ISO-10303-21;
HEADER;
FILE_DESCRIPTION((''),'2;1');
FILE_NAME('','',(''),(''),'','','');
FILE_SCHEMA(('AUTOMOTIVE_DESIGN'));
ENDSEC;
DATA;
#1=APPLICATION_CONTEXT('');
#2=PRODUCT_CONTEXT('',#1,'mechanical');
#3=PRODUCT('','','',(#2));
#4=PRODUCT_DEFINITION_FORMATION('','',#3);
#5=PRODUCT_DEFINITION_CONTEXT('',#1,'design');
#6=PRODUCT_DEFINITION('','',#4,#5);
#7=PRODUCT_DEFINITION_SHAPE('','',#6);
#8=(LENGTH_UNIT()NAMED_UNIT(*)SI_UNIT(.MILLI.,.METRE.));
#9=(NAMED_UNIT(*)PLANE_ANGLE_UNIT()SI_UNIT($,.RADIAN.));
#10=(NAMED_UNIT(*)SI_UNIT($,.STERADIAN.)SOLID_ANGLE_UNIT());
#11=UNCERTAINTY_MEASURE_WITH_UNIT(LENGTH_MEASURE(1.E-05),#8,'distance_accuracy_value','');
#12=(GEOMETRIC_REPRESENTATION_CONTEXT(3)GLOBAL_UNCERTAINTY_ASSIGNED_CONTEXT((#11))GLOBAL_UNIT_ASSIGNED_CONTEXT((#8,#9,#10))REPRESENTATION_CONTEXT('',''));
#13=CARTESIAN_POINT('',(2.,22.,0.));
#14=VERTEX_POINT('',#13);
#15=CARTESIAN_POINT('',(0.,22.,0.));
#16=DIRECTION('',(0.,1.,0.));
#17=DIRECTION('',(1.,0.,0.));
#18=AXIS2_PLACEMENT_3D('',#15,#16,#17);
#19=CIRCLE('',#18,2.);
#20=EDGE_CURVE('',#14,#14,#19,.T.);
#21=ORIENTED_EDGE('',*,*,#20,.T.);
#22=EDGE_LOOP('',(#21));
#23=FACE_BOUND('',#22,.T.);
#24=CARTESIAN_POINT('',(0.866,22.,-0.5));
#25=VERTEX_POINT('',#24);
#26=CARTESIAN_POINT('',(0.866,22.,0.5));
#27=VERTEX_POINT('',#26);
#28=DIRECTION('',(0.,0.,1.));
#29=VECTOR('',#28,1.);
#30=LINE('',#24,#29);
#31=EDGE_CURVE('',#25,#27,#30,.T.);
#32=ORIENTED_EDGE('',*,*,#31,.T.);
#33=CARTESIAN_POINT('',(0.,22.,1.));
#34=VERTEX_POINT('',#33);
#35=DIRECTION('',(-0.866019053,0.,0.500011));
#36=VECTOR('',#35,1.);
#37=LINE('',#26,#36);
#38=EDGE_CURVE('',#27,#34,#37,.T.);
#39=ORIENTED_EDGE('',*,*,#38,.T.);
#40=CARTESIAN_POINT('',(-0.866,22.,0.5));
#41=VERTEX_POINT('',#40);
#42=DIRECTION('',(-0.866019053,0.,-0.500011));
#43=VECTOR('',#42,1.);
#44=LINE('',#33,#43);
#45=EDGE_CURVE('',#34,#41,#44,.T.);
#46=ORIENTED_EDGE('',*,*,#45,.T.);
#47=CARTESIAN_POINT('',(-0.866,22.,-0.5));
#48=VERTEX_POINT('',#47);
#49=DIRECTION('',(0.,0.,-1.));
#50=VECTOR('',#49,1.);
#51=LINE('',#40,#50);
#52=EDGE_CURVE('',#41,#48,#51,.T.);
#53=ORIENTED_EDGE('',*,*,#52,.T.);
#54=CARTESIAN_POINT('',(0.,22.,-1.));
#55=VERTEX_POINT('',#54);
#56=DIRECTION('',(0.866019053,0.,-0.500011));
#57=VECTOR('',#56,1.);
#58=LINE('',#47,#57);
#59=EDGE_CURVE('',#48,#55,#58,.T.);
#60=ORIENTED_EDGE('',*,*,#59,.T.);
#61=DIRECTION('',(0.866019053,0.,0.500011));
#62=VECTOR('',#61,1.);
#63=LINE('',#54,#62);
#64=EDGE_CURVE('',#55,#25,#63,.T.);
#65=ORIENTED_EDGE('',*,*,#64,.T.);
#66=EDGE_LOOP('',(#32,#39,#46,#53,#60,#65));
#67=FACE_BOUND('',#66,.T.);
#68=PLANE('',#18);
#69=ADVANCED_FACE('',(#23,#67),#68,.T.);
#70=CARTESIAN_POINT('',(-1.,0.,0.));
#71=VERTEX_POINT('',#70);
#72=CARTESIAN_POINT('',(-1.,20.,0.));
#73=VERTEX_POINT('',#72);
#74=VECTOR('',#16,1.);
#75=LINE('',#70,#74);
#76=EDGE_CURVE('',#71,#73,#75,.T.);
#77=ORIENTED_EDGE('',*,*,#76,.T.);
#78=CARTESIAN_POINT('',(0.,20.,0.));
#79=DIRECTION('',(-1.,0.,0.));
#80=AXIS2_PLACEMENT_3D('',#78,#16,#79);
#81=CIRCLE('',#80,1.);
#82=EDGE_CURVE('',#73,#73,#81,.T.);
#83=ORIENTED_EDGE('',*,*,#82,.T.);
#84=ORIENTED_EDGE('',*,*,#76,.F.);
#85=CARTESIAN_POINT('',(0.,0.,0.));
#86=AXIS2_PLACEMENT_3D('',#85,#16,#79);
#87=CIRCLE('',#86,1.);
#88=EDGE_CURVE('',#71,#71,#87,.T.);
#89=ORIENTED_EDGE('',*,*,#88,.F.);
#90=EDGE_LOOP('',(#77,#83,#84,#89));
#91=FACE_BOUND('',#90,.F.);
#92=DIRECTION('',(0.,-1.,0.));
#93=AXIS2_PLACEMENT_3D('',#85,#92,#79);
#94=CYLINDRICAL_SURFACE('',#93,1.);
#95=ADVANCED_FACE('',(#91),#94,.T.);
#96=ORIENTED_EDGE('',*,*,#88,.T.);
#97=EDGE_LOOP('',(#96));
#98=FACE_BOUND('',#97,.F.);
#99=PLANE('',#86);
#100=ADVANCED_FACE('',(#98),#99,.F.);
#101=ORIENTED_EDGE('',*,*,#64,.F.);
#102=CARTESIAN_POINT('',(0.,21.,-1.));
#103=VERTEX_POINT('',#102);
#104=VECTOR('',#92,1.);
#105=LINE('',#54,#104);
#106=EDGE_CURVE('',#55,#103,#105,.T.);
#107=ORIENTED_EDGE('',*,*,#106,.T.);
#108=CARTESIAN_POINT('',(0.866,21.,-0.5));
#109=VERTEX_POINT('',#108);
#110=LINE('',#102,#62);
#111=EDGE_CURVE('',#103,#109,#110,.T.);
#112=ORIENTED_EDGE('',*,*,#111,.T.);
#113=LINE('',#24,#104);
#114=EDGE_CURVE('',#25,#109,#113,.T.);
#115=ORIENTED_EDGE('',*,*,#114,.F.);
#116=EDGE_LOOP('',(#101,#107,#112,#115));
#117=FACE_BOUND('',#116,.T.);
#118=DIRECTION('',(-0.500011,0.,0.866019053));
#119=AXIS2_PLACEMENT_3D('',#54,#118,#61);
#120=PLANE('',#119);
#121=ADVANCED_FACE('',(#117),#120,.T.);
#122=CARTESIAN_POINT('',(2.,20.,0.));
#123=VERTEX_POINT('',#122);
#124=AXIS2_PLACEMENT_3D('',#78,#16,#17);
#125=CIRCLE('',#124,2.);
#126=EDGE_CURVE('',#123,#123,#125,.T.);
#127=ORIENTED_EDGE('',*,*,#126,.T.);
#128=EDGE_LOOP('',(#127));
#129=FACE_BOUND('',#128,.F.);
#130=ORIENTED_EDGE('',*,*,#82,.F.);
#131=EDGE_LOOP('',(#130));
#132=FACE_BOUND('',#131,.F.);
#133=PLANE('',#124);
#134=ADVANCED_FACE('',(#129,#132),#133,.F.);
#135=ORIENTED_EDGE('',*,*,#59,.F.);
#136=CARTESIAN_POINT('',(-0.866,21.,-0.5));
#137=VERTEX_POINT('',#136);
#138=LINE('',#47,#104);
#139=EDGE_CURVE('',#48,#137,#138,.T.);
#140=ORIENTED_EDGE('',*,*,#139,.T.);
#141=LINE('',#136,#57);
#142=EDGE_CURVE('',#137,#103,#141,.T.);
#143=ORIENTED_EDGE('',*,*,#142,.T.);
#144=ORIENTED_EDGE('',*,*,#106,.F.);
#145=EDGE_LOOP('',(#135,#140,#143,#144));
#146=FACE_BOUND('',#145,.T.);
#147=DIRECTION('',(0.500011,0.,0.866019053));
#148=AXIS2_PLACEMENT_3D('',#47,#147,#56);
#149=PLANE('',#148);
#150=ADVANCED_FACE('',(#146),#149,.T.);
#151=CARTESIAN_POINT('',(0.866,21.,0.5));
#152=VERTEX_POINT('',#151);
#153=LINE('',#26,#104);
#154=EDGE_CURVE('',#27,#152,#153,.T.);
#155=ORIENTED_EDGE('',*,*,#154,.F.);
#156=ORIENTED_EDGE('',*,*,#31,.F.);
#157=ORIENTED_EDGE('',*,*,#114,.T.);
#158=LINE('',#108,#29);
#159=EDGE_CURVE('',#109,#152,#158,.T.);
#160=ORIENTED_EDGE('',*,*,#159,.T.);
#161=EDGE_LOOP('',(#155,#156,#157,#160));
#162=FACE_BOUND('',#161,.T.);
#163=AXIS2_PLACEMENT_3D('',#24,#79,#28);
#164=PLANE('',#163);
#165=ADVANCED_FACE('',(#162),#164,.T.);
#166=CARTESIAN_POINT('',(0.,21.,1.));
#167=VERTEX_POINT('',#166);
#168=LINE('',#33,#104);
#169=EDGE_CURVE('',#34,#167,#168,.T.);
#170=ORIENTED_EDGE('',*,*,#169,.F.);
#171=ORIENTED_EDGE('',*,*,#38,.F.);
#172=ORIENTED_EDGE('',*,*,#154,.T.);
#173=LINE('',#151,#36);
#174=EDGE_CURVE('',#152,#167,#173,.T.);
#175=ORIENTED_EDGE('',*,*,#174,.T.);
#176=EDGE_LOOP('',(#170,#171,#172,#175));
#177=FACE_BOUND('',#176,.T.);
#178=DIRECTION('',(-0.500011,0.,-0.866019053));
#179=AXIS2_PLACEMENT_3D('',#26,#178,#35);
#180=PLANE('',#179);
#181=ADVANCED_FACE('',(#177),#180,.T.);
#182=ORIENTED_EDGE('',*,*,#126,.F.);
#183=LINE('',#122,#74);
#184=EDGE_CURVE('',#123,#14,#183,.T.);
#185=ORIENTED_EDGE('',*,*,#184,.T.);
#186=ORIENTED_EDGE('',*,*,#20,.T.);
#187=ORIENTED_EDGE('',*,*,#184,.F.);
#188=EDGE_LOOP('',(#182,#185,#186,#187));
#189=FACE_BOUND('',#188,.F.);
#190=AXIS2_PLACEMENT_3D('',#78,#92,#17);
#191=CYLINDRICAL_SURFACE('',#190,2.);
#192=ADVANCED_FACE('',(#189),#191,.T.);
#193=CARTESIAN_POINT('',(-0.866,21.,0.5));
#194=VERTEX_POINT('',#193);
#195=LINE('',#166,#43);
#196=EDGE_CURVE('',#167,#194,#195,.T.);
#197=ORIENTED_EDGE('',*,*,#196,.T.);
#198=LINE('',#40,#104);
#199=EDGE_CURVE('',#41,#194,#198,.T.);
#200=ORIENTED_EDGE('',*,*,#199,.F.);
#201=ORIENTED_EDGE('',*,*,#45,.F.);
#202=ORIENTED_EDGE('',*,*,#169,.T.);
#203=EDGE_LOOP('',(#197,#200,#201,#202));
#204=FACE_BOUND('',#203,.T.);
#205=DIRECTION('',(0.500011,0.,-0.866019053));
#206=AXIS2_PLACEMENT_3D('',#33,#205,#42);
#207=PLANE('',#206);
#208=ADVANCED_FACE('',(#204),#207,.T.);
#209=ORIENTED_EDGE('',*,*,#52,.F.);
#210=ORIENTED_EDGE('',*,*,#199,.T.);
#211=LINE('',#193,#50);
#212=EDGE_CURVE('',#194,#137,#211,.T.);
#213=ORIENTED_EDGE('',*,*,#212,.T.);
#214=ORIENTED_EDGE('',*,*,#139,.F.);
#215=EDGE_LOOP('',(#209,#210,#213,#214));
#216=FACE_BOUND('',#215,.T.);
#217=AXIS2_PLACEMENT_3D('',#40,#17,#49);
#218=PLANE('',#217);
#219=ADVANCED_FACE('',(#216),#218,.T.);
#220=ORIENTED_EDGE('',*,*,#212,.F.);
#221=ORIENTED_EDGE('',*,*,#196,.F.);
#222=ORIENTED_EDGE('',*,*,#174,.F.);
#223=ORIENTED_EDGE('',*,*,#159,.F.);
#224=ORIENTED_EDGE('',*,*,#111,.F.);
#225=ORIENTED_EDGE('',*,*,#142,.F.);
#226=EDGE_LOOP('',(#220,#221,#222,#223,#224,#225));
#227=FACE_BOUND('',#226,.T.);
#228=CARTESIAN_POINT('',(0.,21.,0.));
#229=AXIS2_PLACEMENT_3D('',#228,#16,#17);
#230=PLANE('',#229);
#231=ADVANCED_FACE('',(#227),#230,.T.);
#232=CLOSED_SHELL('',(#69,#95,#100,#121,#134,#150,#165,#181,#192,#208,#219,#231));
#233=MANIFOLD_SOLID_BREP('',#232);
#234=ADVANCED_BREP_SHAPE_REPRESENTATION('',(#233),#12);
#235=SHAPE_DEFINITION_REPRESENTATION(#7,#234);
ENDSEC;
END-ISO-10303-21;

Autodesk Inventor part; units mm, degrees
ref_plane "YZ Plane" through (0, 0, 0) normal (1, 0, 0) x (0, 1, 0)
ref_plane "XZ Plane" through (0, 0, 0) normal (0, 1, 0) x (-1, 0, 0)
ref_plane "XY Plane" through (0, 0, 0) normal (0, 0, 1) x (1, 0, 0)
sketch "Sketch1" plane through (0, 0, 0) normal (0, 1, 0) x (-1, 0, 0)
  circle A0 centre (0, 0) radius 1
  dimension "d0" = 2
extrude "Extrusion1" add sketch "Sketch1" along normal blind 20
sketch "Sketch2" plane through (0, 20, 0) normal (0, 1, 0) x (1, 0, 0)
  circle A0 centre (0, 0) radius 2
  dimension "d3" = 4
extrude "Extrusion2" add sketch "Sketch2" along normal blind 2
sketch "Sketch3" plane through (0, 22, 0) normal (0, 1, 0) x (1, 0, 0)
  circle A0 centre (0, 0) radius 1 projected
  line L0 (0, 1) -> (0.866, 0.5)
  line L1 (0.866, 0.5) -> (0.866, -0.5)
  line L2 (0.866, -0.5) -> (0, -1)
  line L3 (0, -1) -> (-0.866, -0.5)
  line L4 (-0.866, -0.5) -> (-0.866, 0.5)
  line L5 (-0.866, 0.5) -> (0, 1)
extrude "Extrusion3" cut sketch "Sketch3" against normal blind 1 contours L1 L2 L3 L4 L5 L0
properties part number "M2_bolt"
